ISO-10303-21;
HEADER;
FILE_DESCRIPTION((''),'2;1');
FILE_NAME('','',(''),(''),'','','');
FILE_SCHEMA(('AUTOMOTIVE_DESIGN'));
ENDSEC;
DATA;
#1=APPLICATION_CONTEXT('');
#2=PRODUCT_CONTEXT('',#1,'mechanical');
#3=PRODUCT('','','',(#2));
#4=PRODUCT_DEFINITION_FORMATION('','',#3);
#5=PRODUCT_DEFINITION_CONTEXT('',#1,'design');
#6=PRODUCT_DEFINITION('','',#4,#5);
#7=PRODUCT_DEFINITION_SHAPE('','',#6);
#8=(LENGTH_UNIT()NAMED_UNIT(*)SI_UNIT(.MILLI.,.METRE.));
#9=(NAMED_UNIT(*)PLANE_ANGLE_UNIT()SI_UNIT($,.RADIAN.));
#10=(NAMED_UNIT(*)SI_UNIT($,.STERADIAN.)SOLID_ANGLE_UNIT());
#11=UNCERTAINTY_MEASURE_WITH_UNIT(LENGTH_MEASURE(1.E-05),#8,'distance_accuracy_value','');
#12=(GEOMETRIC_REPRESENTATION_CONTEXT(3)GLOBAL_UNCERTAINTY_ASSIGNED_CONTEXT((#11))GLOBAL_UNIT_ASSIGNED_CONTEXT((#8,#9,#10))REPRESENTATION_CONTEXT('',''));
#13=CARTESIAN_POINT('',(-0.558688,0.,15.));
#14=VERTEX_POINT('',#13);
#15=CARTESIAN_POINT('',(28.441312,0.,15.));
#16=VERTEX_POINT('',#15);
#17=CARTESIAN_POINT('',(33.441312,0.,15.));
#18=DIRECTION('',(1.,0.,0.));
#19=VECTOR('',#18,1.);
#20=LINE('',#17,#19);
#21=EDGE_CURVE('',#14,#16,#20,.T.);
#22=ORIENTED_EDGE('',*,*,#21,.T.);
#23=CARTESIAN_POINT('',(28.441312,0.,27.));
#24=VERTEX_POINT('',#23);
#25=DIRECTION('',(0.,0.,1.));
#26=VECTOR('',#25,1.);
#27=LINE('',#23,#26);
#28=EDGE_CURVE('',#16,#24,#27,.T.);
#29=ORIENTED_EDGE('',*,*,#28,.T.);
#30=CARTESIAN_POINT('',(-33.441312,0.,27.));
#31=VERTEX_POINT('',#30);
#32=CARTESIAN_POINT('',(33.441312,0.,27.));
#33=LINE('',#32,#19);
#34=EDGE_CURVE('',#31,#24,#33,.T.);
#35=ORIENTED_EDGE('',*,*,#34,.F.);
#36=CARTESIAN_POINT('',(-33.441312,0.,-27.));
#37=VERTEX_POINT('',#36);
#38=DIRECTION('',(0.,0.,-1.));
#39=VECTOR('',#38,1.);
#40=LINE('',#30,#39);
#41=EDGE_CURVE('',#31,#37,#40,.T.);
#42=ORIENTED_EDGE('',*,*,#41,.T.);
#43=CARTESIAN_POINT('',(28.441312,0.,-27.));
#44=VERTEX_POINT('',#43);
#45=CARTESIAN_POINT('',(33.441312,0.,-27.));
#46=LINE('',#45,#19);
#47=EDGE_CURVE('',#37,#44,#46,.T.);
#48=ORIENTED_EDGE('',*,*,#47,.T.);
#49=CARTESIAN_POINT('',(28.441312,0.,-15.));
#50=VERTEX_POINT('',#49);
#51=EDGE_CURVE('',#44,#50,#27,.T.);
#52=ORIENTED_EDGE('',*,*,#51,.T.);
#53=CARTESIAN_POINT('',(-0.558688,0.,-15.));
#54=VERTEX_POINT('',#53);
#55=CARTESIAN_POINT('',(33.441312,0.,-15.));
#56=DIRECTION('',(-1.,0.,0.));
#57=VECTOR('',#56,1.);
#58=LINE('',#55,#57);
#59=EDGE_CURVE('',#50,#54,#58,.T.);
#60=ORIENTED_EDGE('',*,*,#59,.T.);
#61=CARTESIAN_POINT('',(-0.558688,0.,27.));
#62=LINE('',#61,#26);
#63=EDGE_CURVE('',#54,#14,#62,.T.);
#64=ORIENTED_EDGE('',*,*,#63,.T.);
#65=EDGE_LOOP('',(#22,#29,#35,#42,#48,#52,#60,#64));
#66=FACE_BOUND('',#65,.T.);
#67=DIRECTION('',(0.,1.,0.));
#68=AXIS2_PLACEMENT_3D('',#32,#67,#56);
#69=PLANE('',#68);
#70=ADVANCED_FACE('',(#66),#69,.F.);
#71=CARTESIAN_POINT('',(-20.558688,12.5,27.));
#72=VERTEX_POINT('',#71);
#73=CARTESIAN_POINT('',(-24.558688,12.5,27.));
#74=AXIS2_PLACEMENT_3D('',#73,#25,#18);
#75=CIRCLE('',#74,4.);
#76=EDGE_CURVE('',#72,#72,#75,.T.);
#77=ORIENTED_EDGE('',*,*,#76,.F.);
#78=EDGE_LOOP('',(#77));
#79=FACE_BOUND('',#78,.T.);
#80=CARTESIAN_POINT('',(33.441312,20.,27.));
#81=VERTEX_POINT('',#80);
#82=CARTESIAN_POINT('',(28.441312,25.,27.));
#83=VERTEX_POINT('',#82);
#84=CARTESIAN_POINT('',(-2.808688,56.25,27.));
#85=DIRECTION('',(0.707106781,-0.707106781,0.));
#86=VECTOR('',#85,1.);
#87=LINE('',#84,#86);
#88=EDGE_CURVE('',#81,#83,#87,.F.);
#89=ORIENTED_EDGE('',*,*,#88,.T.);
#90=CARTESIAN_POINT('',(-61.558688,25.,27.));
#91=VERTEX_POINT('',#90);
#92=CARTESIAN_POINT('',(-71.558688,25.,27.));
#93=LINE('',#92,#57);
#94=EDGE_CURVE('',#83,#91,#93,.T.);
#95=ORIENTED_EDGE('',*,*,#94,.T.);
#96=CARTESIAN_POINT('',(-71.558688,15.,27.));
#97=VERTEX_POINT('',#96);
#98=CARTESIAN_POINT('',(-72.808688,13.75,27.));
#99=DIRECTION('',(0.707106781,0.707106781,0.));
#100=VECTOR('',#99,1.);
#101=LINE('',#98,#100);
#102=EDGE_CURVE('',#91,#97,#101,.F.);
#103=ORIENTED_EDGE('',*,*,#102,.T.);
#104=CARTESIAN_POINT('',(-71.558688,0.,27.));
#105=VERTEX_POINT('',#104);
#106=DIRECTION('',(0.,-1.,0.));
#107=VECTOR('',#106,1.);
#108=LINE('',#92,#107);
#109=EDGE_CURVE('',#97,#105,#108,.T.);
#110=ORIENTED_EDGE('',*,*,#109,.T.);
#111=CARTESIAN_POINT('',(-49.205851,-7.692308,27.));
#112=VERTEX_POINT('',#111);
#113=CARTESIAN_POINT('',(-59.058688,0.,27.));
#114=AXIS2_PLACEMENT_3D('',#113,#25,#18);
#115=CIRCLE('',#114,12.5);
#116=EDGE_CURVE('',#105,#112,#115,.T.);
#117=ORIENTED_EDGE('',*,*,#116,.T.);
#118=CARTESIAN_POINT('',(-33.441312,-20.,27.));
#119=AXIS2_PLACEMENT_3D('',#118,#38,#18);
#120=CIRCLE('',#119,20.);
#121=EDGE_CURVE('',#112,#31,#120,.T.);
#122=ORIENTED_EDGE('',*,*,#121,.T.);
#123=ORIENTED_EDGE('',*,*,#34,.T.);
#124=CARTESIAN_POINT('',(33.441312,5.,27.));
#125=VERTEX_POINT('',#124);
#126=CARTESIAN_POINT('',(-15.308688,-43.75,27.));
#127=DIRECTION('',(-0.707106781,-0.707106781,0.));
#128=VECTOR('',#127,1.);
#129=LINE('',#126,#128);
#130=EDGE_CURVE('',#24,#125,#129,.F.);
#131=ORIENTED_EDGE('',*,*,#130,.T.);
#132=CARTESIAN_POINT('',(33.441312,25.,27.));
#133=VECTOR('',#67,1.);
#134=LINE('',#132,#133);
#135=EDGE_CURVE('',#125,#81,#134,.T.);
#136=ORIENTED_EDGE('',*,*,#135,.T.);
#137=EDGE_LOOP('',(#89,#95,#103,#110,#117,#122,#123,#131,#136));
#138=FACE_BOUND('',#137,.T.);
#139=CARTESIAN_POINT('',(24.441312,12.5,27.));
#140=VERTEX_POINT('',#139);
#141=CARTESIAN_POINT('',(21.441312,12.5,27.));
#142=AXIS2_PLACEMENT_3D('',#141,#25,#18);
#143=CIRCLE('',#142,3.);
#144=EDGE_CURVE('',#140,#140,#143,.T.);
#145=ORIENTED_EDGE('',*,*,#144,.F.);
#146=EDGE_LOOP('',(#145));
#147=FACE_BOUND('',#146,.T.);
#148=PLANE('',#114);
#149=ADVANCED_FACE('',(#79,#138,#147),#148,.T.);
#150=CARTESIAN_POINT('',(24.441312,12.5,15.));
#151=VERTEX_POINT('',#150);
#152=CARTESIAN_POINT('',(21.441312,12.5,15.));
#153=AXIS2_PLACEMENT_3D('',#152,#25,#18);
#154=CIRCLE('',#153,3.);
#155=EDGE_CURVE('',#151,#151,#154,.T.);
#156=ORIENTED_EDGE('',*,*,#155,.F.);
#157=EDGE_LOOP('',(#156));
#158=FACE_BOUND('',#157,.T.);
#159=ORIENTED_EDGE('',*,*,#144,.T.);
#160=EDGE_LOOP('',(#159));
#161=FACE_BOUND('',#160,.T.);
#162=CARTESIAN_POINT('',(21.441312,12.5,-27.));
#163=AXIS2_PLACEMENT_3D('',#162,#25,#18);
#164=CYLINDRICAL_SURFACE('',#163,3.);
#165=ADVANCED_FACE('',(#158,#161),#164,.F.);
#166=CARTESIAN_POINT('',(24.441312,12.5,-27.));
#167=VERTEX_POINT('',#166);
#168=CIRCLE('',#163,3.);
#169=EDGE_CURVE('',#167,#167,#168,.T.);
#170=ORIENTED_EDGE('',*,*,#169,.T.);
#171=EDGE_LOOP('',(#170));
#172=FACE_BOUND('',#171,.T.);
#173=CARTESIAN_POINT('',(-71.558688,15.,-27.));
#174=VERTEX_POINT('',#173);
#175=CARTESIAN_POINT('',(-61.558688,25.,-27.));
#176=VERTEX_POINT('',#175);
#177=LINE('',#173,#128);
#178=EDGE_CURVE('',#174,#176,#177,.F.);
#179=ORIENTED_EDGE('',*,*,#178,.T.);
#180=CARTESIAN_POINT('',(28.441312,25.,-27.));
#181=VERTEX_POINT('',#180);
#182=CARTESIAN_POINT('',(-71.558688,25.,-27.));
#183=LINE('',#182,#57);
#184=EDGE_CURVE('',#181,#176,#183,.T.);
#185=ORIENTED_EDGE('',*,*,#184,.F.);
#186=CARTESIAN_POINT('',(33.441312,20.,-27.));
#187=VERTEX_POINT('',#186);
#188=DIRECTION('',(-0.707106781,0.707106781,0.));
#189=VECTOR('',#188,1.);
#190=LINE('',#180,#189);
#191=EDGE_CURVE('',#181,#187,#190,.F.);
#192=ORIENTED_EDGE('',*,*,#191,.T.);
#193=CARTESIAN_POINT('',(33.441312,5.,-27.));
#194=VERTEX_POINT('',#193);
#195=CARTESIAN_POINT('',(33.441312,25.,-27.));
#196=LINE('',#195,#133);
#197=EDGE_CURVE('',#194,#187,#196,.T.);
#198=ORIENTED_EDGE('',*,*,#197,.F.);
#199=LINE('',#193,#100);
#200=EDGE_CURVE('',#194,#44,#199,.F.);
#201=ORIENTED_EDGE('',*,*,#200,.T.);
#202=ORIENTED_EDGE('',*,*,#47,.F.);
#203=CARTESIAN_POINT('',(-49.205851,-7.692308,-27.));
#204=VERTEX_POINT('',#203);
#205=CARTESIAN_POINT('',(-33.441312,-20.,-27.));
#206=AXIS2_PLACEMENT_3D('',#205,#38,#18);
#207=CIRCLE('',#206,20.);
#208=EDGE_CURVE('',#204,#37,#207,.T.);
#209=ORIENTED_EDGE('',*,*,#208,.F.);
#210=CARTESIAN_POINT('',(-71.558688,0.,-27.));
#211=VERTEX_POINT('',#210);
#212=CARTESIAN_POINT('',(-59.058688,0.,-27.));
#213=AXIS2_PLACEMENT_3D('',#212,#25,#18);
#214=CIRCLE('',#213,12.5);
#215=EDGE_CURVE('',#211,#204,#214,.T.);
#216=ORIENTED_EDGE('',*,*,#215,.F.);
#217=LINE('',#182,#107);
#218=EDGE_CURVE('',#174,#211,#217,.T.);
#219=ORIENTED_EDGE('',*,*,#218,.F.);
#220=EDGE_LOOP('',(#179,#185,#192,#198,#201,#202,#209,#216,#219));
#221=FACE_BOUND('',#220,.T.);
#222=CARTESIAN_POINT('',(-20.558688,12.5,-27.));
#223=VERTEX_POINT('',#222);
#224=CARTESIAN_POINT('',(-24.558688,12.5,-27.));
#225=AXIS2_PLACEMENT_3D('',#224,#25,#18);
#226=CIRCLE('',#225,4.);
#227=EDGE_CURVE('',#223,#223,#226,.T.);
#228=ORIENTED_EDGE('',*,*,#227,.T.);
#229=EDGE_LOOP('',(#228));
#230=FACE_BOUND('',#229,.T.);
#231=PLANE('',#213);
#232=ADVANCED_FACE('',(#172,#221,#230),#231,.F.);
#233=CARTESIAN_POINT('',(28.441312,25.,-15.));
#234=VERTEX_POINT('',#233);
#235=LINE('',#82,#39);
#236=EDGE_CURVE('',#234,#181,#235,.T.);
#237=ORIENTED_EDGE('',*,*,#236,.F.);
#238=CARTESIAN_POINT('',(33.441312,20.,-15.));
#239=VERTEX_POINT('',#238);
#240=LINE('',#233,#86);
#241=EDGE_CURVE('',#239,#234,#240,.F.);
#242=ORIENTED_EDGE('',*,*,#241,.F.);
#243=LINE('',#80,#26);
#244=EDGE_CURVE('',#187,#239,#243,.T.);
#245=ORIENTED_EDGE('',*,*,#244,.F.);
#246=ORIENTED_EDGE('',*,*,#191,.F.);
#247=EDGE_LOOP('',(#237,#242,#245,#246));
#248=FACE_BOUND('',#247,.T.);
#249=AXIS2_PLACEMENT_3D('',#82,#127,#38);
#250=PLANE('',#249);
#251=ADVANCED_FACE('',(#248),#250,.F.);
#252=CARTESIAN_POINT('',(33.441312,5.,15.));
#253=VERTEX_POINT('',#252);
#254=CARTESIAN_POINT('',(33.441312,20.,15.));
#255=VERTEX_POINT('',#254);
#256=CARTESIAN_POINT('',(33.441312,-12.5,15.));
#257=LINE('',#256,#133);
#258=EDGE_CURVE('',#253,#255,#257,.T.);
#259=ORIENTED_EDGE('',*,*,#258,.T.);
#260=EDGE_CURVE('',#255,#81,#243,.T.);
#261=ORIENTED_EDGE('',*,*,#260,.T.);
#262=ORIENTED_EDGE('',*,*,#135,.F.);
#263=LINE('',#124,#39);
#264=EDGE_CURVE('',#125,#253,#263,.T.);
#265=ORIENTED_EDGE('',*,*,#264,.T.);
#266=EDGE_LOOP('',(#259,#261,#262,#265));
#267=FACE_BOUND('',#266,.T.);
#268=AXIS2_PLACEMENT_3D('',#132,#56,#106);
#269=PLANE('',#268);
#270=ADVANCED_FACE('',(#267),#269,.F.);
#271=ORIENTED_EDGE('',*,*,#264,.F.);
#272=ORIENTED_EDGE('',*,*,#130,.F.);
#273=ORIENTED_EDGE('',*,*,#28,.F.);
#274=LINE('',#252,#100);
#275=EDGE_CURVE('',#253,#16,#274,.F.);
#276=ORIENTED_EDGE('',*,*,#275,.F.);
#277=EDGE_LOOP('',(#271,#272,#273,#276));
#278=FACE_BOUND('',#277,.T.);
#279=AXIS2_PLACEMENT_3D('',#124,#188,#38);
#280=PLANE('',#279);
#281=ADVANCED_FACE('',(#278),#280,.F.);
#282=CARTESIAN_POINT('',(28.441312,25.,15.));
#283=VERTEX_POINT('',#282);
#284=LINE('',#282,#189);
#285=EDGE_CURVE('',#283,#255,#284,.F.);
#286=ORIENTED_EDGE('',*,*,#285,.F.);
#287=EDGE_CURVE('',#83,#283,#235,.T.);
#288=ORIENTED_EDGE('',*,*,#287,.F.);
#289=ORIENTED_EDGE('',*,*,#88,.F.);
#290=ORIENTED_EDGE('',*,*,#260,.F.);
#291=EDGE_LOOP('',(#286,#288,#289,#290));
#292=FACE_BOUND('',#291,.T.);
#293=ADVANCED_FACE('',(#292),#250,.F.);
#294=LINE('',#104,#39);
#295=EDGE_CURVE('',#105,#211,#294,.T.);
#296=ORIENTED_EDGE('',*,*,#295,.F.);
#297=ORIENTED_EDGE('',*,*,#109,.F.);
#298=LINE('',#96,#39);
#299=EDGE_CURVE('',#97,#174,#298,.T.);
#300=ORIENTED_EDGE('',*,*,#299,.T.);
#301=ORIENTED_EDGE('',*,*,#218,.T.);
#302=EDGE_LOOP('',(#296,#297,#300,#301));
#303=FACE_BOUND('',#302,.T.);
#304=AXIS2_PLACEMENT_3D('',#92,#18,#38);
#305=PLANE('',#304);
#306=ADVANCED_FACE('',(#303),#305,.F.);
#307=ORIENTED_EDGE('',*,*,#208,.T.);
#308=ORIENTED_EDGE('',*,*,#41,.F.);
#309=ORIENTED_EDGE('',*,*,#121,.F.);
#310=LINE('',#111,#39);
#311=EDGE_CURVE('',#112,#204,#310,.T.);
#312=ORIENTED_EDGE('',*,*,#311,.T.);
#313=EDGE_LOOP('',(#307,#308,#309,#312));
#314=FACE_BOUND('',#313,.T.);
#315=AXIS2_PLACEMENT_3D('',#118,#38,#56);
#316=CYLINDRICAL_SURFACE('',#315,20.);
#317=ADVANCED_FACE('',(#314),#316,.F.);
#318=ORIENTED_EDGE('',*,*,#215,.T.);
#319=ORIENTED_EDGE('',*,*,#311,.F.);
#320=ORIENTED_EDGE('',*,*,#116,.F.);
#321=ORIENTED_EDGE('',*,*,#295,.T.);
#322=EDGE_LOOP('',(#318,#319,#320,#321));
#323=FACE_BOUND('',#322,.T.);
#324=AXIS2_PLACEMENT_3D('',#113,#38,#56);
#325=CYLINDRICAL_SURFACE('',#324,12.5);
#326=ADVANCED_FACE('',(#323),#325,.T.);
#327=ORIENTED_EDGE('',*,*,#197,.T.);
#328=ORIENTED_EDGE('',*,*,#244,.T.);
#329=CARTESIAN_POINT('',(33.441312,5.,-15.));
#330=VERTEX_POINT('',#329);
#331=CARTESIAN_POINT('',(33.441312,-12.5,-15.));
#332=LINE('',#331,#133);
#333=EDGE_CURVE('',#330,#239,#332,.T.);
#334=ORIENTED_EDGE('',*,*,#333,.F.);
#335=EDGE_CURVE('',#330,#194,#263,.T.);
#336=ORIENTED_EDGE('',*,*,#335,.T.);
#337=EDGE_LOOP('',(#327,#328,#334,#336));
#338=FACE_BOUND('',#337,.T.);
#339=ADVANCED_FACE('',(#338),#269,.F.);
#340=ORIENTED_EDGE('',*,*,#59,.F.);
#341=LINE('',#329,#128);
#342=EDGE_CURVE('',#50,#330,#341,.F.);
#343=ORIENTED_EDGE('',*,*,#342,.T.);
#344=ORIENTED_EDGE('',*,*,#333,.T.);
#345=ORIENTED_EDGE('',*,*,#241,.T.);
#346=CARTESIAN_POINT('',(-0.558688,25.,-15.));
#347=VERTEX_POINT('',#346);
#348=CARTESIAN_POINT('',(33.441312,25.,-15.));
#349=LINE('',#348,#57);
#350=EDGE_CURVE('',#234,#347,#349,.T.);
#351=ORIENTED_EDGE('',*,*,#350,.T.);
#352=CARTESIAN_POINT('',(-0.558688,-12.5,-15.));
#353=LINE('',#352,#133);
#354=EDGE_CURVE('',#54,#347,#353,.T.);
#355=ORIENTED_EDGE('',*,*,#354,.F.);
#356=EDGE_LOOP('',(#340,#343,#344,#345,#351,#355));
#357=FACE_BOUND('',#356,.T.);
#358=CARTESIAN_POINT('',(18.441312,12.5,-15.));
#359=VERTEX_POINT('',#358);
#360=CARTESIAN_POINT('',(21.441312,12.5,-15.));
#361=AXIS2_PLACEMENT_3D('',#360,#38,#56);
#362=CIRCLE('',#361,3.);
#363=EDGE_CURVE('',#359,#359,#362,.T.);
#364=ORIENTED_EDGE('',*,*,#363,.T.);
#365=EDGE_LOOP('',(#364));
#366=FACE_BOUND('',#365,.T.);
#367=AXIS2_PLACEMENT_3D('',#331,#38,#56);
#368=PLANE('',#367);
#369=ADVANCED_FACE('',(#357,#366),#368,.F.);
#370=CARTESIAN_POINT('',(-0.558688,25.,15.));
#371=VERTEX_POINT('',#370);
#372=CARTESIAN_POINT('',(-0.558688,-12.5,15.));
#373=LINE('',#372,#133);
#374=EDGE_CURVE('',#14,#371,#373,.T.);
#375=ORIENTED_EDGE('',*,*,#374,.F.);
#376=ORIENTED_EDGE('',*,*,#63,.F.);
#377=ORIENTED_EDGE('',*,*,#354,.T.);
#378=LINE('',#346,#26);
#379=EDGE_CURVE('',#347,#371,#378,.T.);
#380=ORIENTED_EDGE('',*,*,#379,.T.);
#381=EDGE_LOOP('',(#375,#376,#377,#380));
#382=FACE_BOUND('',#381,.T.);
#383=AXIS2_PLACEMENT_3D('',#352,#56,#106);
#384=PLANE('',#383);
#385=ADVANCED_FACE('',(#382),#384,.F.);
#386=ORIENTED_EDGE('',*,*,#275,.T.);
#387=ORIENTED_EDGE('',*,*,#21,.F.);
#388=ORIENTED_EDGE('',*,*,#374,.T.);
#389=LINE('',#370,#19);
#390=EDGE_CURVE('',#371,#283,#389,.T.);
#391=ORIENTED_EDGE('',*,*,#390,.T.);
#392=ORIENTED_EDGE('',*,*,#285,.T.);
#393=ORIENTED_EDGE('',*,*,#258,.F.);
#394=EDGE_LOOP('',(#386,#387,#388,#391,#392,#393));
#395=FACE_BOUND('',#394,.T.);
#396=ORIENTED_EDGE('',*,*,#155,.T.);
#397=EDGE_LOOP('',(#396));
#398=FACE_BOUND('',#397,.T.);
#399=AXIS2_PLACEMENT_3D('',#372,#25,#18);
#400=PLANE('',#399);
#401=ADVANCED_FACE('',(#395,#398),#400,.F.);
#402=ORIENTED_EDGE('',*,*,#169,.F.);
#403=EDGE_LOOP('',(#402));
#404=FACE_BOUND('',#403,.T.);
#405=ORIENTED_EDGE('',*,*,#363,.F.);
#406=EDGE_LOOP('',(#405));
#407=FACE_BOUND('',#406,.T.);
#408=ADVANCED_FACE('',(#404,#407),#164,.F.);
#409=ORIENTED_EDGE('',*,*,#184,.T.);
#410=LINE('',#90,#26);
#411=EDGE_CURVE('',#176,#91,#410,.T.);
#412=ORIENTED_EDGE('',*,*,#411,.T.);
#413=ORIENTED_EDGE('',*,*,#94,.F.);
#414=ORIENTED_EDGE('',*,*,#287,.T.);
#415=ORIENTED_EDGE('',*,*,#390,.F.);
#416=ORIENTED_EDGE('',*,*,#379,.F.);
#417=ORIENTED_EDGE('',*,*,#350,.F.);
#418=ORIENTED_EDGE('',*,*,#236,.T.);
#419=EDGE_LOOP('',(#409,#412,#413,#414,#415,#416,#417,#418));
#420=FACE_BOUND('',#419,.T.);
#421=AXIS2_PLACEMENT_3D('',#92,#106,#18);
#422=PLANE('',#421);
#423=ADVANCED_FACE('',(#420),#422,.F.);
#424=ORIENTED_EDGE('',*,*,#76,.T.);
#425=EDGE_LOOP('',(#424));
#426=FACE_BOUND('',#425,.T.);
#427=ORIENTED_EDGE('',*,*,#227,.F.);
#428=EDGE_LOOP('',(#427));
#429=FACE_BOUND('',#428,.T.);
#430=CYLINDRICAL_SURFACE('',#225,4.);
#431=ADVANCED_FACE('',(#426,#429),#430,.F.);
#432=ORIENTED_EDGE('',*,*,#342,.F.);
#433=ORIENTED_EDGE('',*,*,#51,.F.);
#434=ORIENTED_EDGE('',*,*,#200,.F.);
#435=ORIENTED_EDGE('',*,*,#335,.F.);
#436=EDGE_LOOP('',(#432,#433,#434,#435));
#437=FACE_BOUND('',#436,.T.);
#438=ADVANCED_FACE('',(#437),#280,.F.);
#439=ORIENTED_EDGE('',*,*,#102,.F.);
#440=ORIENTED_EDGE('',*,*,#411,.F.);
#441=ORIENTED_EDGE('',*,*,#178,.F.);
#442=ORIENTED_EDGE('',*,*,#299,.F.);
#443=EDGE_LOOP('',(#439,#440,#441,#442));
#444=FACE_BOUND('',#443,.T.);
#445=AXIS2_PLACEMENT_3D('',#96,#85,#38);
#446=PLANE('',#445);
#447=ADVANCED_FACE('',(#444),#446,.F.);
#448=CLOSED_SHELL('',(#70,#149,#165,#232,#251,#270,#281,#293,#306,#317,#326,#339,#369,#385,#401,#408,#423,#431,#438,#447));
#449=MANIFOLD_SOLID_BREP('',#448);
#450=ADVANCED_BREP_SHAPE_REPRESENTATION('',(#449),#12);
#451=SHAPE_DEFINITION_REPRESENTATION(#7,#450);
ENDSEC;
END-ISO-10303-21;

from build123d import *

# Parameters (mm, degrees)
ESTRUSIONE_ESTRUSIONE1_DEPTH = 27
SMUSSO1_SIZE                 = 10
SMUSSO2_SIZE                 = 5
SCHIZZO2_W                   = 34
SCHIZZO2_H                   = 30
TAGLIO_ESTRUSIONE1_DEPTH     = 86.181546674
SCHIZZO3_R                   = 3
SCHIZZO3_R_2                 = 4
TAGLIO_ESTRUSIONE2_DEPTH     = 94.067963842


with BuildPart() as part:
    # Schizzo1 → Estrusione-Estrusione1 (new, symmetric)
    with BuildSketch(Plane.XY):
        with BuildLine():
            Line((-71.558688457, 25), (33.441311543, 25))
            Line((33.441311543, 25), (33.441311543, 0))
            Line((33.441311543, 0), (-33.441311543, 0))
            ThreePointArc((-33.441311543, 0), (-42.211891736, -2.025659315), (-49.205851182, -7.692307692))
            ThreePointArc((-49.205851182, -7.692307692), (-63.126214368, -11.819696822), (-71.558688457, 0))
            Line((-71.558688457, 0), (-71.558688457, 25))
        make_face()
    extrude(amount=ESTRUSIONE_ESTRUSIONE1_DEPTH, both=True)

    # Smusso1
    smusso1_edges = [part.edges().sort_by_distance(p)[0] for p in [
        (-71.558688457, 25, 0),
    ]]
    chamfer(smusso1_edges, length=SMUSSO1_SIZE)

    # Smusso2
    smusso2_edges = [part.edges().sort_by_distance(p)[0] for p in [
        (33.441311543, 25, 0),
        (33.441311543, 0, 0),
    ]]
    chamfer(smusso2_edges, length=SMUSSO2_SIZE)

    # Schizzo2 → Taglio-Estrusione1 (cut, through all)
    with BuildSketch(Plane(origin=(0, 25, 0), x_dir=(1, 0, 0), z_dir=(0, 1, 0))):
        with Locations((16.441311543, 0)):
            Rectangle(SCHIZZO2_W, SCHIZZO2_H)
    extrude(amount=-TAGLIO_ESTRUSIONE1_DEPTH, mode=Mode.SUBTRACT)

    # Schizzo3 → Taglio-Estrusione2 (cut, through all)
    with BuildSketch(Plane.XY.offset(27)):
        with Locations((21.441311543, 12.5)):
            Circle(SCHIZZO3_R)
        with Locations((-24.558688457, 12.5)):
            Circle(SCHIZZO3_R_2)
    extrude(amount=-TAGLIO_ESTRUSIONE2_DEPTH, mode=Mode.SUBTRACT)


solid = part.part
